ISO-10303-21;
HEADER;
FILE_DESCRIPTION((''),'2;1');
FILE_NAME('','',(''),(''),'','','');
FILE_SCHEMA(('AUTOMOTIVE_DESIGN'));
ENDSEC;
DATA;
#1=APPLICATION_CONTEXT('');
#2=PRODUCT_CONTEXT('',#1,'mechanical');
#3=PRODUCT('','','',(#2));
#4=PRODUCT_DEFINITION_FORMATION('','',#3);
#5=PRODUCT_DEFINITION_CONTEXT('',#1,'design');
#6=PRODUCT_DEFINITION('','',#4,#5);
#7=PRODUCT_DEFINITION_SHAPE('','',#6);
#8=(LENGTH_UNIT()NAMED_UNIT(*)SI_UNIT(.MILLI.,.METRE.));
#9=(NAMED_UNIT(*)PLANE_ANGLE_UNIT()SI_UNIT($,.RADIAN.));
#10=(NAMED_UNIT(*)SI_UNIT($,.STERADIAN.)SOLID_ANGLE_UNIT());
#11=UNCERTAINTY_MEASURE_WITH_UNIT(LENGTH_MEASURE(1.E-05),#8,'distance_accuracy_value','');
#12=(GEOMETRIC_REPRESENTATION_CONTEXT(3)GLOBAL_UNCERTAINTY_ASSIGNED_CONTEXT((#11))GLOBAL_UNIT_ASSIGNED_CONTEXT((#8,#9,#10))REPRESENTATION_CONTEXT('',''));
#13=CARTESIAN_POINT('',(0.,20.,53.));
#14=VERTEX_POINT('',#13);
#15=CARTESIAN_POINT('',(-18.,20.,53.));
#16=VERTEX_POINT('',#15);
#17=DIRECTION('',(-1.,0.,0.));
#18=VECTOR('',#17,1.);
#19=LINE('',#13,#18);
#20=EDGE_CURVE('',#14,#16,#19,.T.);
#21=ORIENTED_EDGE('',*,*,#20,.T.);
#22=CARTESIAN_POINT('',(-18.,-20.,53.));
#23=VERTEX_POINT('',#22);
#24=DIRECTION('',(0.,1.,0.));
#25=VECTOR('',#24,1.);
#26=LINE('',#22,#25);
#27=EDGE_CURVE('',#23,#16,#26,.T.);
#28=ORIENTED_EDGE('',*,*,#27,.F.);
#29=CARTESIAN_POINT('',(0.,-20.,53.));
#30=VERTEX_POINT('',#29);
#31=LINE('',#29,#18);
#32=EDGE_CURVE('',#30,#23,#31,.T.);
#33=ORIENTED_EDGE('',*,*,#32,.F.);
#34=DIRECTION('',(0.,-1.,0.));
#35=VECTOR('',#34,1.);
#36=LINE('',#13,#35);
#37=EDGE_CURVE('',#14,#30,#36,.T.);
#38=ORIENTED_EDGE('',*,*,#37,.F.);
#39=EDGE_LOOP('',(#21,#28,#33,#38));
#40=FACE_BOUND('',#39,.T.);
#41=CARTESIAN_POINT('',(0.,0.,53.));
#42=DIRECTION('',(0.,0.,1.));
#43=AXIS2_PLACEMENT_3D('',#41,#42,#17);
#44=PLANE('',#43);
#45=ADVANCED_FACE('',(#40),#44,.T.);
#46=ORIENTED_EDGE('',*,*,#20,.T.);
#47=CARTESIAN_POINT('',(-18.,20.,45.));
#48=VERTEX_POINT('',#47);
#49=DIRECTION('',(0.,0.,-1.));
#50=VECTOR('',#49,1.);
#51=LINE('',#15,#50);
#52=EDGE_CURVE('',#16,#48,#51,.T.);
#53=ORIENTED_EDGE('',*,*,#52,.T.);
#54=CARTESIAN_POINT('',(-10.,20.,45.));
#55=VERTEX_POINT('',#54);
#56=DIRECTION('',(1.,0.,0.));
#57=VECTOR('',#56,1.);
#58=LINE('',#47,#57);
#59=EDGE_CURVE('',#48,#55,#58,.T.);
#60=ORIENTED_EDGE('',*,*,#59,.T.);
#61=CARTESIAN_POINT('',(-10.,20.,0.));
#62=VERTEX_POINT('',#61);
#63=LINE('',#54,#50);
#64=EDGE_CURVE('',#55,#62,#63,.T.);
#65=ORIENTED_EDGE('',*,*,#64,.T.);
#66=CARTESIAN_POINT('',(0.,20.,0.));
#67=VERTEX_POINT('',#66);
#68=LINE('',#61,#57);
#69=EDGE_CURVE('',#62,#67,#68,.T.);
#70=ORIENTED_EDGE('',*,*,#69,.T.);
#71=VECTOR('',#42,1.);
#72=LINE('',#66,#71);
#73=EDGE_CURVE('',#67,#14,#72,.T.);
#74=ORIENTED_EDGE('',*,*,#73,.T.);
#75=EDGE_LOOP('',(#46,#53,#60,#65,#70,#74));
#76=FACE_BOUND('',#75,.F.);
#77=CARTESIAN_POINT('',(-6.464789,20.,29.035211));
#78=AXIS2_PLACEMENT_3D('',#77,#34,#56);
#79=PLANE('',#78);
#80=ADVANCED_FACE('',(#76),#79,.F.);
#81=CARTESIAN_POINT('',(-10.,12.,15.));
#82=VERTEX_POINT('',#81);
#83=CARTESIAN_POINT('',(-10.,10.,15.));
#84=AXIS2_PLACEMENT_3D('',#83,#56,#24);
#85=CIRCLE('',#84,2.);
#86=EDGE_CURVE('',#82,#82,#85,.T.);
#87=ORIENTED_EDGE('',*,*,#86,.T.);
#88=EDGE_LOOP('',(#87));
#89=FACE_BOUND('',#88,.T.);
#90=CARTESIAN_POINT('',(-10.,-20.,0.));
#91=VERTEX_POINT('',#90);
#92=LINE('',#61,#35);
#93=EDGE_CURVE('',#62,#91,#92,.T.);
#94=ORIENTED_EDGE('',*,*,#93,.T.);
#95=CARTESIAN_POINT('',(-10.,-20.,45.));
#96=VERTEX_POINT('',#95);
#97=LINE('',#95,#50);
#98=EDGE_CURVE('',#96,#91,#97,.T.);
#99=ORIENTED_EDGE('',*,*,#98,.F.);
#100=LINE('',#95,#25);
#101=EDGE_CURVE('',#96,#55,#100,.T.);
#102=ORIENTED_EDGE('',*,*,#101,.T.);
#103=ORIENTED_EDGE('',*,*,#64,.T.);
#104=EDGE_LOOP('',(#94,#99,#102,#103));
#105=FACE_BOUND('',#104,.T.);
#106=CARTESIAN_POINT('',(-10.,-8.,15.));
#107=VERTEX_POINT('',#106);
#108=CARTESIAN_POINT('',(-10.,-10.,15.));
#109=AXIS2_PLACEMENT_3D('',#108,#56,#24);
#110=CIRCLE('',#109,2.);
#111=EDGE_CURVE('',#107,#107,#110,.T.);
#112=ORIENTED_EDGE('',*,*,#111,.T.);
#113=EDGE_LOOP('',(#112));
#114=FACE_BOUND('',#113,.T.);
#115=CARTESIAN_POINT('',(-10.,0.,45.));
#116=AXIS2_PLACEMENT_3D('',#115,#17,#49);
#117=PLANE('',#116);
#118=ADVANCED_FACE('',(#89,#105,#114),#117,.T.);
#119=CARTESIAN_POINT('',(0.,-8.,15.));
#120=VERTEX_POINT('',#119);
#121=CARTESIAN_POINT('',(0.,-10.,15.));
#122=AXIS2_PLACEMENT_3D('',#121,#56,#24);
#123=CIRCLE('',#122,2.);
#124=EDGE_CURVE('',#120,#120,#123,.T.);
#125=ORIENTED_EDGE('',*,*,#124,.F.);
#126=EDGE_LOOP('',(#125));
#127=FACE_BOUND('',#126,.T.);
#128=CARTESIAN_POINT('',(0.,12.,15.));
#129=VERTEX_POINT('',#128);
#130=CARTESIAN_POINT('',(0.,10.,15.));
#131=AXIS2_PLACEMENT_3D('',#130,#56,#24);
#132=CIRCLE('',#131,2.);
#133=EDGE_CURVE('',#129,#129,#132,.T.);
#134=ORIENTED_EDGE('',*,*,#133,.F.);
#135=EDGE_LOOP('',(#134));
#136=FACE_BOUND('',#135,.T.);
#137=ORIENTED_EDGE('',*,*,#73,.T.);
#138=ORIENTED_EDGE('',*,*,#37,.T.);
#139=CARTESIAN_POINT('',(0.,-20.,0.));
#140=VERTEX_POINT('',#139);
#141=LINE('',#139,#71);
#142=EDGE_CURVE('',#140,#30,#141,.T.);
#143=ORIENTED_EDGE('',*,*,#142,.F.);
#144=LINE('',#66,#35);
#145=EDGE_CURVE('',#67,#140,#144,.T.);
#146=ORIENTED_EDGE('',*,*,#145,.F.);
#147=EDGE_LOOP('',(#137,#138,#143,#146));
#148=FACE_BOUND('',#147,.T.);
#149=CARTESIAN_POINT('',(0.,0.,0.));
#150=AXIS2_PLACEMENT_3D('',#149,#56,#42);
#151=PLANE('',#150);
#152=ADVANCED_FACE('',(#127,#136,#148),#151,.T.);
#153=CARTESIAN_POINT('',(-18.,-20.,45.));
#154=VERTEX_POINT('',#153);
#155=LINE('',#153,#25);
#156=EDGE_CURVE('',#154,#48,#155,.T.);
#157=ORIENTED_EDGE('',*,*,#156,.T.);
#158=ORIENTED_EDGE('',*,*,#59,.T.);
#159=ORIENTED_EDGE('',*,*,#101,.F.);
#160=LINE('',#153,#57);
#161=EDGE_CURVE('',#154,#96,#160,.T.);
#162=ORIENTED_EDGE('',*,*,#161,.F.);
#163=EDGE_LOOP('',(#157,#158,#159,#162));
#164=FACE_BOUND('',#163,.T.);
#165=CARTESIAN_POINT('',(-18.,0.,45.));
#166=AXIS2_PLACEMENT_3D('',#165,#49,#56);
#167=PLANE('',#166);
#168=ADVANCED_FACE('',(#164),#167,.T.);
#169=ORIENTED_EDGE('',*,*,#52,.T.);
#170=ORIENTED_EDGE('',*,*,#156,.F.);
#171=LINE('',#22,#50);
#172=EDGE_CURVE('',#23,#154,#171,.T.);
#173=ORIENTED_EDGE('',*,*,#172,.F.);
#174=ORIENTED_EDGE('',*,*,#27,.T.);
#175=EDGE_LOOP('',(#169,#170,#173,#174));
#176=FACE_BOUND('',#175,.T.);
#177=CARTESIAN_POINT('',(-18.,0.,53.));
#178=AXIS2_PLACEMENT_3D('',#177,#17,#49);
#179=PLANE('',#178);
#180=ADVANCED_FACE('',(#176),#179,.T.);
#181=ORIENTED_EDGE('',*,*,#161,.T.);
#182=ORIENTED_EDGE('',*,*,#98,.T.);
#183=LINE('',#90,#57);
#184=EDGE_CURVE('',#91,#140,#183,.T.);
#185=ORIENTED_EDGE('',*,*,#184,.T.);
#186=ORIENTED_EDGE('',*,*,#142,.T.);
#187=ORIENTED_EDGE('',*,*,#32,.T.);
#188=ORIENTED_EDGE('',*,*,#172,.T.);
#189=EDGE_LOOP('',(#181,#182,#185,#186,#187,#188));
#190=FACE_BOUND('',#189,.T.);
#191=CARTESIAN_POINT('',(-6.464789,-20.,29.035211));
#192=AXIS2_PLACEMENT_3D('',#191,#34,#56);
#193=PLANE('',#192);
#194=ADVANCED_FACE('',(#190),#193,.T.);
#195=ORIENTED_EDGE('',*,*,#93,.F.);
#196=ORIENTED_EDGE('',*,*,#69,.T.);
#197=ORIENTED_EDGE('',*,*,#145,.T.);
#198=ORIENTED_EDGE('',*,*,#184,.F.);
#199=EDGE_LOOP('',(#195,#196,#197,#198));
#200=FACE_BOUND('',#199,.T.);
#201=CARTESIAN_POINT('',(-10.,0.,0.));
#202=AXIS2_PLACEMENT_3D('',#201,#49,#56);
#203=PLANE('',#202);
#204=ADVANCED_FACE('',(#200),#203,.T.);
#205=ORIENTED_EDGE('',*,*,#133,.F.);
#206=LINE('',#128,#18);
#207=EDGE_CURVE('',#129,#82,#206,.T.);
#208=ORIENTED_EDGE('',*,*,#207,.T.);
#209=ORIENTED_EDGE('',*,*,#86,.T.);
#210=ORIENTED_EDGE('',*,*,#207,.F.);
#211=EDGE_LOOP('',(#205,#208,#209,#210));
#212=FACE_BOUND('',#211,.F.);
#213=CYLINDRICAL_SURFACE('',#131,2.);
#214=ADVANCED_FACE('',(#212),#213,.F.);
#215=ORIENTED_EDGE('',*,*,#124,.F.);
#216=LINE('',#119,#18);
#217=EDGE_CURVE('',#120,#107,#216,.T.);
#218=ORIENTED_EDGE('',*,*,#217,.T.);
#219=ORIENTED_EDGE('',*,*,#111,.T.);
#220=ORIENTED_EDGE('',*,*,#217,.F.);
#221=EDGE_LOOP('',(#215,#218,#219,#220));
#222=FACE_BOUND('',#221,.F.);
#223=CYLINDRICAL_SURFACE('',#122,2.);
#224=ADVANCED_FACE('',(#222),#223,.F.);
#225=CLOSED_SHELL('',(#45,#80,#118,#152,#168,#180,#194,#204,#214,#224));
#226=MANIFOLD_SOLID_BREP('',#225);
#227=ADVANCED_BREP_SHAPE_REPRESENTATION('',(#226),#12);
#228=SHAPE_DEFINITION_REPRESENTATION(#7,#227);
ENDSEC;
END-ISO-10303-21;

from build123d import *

# Parameters (mm, degrees)
F1_DEPTH = 20
F2_R     = 2
F3_DEPTH = 18.001


with BuildPart() as f1:
    # F0 (on Front) → F1 (new body, symmetric)
    with BuildSketch(Plane.XZ):
        Polygon((-10, 45), (-10, 0), (0, 0), (0, 53), (-18, 53), (-18, 45), align=None)
    extrude(amount=F1_DEPTH, both=True)

    # F2 (on face) → F3 (cut, through all)
    with BuildSketch(Plane.YZ):
        with Locations((-10, 15)):
            Circle(F2_R)
        with Locations((10, 15)):
            Circle(F2_R)
    extrude(amount=-F3_DEPTH, mode=Mode.SUBTRACT)


solid = f1.part
